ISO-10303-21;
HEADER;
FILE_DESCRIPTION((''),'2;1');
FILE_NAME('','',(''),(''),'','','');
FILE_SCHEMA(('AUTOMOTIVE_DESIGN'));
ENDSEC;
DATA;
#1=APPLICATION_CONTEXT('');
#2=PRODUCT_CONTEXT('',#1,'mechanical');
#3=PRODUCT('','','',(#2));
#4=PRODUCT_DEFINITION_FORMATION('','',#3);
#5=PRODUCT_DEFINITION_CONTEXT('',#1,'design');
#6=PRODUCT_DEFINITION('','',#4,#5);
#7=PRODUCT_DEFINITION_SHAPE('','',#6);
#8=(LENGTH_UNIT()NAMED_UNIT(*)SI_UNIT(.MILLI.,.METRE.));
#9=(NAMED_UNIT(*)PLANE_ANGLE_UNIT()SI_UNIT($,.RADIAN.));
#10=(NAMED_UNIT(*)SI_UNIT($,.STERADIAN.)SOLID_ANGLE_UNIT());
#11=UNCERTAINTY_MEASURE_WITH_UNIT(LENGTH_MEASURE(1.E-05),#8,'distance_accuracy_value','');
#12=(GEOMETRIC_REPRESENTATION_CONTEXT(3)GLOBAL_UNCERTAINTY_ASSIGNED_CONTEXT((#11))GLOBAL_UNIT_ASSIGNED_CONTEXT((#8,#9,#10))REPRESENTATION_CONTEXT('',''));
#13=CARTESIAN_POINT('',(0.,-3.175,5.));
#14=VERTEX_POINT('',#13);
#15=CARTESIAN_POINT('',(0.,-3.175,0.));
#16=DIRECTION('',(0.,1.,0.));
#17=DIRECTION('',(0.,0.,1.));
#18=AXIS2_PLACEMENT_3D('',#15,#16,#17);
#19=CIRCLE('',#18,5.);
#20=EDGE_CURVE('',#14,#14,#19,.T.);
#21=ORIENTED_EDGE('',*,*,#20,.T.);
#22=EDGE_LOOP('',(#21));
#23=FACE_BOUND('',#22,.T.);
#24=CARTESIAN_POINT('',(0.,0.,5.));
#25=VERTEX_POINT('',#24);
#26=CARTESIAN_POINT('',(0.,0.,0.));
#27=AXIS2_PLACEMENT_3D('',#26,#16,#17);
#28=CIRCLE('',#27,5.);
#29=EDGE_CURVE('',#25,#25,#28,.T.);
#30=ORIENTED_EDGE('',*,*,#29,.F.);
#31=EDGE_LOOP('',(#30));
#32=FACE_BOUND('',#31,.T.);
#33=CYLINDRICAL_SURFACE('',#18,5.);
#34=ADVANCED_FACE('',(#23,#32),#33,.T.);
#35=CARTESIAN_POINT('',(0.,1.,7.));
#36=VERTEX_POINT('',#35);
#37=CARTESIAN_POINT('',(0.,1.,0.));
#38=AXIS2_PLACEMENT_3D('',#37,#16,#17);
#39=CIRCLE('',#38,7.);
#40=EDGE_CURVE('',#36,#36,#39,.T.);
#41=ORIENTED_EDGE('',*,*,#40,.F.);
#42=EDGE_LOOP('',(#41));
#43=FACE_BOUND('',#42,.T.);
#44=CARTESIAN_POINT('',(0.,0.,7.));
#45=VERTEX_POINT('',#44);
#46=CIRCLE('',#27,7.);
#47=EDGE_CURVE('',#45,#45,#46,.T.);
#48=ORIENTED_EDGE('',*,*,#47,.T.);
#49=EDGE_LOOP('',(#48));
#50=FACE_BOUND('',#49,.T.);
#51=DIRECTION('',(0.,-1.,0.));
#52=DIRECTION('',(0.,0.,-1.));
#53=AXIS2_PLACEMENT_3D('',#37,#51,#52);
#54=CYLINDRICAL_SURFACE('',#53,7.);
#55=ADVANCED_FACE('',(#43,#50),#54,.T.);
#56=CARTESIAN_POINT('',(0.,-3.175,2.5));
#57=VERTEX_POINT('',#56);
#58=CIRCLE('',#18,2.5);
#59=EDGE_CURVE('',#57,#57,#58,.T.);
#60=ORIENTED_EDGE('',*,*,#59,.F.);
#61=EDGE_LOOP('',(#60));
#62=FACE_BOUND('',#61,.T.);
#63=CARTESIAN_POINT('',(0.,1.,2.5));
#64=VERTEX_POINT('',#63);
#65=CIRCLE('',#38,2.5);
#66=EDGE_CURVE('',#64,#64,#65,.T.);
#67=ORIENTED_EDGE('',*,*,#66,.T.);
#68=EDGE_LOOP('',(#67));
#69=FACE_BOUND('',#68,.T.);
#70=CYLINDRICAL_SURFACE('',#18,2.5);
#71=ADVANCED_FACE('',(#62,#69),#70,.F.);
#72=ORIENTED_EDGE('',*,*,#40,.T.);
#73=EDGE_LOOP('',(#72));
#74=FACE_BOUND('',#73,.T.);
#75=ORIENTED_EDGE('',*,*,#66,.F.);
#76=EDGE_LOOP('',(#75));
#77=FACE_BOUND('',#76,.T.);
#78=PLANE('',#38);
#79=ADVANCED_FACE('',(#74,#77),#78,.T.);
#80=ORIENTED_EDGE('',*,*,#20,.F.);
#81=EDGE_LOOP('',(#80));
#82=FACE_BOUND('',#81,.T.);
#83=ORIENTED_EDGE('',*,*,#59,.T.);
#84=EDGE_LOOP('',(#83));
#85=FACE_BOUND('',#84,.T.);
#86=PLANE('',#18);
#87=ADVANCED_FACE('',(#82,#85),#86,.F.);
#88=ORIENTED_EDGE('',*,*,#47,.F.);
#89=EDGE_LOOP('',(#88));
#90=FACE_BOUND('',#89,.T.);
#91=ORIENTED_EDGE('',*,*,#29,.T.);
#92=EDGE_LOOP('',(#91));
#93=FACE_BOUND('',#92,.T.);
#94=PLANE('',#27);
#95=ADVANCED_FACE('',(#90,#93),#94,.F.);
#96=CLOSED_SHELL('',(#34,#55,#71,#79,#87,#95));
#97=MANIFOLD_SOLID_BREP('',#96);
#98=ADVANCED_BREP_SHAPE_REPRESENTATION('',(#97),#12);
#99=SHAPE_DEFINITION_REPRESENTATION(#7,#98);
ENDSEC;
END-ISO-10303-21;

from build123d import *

# Parameters (mm, degrees)
SKETCH1_R           = 5
SKETCH1_R_2         = 2.5
BOSS_EXTRUDE1_DEPTH = 3.175
BOSS_EXTRUDE2_START = 1
SKETCH1_3_R         = 7
SKETCH1_3_R_2       = 2.5
BOSS_EXTRUDE2_DEPTH = 1


with BuildPart() as part:
    # Sketch1 → Boss-Extrude1 (new body)
    with BuildSketch(Plane(origin=(0, 0, 0), x_dir=(1, 0, 0), z_dir=(0, 1, 0))):
        Circle(SKETCH1_R)
        Circle(SKETCH1_R_2, mode=Mode.SUBTRACT)
    extrude(amount=-BOSS_EXTRUDE1_DEPTH)

    # Sketch1<3> → Boss-Extrude2 (add)
    with BuildSketch(Plane(origin=(0, 0, 0), x_dir=(1, 0, 0), z_dir=(0, 1, 0)).offset(BOSS_EXTRUDE2_START)):
        Circle(SKETCH1_3_R)
        Circle(SKETCH1_3_R_2, mode=Mode.SUBTRACT)
    extrude(amount=-BOSS_EXTRUDE2_DEPTH)


solid = part.part
